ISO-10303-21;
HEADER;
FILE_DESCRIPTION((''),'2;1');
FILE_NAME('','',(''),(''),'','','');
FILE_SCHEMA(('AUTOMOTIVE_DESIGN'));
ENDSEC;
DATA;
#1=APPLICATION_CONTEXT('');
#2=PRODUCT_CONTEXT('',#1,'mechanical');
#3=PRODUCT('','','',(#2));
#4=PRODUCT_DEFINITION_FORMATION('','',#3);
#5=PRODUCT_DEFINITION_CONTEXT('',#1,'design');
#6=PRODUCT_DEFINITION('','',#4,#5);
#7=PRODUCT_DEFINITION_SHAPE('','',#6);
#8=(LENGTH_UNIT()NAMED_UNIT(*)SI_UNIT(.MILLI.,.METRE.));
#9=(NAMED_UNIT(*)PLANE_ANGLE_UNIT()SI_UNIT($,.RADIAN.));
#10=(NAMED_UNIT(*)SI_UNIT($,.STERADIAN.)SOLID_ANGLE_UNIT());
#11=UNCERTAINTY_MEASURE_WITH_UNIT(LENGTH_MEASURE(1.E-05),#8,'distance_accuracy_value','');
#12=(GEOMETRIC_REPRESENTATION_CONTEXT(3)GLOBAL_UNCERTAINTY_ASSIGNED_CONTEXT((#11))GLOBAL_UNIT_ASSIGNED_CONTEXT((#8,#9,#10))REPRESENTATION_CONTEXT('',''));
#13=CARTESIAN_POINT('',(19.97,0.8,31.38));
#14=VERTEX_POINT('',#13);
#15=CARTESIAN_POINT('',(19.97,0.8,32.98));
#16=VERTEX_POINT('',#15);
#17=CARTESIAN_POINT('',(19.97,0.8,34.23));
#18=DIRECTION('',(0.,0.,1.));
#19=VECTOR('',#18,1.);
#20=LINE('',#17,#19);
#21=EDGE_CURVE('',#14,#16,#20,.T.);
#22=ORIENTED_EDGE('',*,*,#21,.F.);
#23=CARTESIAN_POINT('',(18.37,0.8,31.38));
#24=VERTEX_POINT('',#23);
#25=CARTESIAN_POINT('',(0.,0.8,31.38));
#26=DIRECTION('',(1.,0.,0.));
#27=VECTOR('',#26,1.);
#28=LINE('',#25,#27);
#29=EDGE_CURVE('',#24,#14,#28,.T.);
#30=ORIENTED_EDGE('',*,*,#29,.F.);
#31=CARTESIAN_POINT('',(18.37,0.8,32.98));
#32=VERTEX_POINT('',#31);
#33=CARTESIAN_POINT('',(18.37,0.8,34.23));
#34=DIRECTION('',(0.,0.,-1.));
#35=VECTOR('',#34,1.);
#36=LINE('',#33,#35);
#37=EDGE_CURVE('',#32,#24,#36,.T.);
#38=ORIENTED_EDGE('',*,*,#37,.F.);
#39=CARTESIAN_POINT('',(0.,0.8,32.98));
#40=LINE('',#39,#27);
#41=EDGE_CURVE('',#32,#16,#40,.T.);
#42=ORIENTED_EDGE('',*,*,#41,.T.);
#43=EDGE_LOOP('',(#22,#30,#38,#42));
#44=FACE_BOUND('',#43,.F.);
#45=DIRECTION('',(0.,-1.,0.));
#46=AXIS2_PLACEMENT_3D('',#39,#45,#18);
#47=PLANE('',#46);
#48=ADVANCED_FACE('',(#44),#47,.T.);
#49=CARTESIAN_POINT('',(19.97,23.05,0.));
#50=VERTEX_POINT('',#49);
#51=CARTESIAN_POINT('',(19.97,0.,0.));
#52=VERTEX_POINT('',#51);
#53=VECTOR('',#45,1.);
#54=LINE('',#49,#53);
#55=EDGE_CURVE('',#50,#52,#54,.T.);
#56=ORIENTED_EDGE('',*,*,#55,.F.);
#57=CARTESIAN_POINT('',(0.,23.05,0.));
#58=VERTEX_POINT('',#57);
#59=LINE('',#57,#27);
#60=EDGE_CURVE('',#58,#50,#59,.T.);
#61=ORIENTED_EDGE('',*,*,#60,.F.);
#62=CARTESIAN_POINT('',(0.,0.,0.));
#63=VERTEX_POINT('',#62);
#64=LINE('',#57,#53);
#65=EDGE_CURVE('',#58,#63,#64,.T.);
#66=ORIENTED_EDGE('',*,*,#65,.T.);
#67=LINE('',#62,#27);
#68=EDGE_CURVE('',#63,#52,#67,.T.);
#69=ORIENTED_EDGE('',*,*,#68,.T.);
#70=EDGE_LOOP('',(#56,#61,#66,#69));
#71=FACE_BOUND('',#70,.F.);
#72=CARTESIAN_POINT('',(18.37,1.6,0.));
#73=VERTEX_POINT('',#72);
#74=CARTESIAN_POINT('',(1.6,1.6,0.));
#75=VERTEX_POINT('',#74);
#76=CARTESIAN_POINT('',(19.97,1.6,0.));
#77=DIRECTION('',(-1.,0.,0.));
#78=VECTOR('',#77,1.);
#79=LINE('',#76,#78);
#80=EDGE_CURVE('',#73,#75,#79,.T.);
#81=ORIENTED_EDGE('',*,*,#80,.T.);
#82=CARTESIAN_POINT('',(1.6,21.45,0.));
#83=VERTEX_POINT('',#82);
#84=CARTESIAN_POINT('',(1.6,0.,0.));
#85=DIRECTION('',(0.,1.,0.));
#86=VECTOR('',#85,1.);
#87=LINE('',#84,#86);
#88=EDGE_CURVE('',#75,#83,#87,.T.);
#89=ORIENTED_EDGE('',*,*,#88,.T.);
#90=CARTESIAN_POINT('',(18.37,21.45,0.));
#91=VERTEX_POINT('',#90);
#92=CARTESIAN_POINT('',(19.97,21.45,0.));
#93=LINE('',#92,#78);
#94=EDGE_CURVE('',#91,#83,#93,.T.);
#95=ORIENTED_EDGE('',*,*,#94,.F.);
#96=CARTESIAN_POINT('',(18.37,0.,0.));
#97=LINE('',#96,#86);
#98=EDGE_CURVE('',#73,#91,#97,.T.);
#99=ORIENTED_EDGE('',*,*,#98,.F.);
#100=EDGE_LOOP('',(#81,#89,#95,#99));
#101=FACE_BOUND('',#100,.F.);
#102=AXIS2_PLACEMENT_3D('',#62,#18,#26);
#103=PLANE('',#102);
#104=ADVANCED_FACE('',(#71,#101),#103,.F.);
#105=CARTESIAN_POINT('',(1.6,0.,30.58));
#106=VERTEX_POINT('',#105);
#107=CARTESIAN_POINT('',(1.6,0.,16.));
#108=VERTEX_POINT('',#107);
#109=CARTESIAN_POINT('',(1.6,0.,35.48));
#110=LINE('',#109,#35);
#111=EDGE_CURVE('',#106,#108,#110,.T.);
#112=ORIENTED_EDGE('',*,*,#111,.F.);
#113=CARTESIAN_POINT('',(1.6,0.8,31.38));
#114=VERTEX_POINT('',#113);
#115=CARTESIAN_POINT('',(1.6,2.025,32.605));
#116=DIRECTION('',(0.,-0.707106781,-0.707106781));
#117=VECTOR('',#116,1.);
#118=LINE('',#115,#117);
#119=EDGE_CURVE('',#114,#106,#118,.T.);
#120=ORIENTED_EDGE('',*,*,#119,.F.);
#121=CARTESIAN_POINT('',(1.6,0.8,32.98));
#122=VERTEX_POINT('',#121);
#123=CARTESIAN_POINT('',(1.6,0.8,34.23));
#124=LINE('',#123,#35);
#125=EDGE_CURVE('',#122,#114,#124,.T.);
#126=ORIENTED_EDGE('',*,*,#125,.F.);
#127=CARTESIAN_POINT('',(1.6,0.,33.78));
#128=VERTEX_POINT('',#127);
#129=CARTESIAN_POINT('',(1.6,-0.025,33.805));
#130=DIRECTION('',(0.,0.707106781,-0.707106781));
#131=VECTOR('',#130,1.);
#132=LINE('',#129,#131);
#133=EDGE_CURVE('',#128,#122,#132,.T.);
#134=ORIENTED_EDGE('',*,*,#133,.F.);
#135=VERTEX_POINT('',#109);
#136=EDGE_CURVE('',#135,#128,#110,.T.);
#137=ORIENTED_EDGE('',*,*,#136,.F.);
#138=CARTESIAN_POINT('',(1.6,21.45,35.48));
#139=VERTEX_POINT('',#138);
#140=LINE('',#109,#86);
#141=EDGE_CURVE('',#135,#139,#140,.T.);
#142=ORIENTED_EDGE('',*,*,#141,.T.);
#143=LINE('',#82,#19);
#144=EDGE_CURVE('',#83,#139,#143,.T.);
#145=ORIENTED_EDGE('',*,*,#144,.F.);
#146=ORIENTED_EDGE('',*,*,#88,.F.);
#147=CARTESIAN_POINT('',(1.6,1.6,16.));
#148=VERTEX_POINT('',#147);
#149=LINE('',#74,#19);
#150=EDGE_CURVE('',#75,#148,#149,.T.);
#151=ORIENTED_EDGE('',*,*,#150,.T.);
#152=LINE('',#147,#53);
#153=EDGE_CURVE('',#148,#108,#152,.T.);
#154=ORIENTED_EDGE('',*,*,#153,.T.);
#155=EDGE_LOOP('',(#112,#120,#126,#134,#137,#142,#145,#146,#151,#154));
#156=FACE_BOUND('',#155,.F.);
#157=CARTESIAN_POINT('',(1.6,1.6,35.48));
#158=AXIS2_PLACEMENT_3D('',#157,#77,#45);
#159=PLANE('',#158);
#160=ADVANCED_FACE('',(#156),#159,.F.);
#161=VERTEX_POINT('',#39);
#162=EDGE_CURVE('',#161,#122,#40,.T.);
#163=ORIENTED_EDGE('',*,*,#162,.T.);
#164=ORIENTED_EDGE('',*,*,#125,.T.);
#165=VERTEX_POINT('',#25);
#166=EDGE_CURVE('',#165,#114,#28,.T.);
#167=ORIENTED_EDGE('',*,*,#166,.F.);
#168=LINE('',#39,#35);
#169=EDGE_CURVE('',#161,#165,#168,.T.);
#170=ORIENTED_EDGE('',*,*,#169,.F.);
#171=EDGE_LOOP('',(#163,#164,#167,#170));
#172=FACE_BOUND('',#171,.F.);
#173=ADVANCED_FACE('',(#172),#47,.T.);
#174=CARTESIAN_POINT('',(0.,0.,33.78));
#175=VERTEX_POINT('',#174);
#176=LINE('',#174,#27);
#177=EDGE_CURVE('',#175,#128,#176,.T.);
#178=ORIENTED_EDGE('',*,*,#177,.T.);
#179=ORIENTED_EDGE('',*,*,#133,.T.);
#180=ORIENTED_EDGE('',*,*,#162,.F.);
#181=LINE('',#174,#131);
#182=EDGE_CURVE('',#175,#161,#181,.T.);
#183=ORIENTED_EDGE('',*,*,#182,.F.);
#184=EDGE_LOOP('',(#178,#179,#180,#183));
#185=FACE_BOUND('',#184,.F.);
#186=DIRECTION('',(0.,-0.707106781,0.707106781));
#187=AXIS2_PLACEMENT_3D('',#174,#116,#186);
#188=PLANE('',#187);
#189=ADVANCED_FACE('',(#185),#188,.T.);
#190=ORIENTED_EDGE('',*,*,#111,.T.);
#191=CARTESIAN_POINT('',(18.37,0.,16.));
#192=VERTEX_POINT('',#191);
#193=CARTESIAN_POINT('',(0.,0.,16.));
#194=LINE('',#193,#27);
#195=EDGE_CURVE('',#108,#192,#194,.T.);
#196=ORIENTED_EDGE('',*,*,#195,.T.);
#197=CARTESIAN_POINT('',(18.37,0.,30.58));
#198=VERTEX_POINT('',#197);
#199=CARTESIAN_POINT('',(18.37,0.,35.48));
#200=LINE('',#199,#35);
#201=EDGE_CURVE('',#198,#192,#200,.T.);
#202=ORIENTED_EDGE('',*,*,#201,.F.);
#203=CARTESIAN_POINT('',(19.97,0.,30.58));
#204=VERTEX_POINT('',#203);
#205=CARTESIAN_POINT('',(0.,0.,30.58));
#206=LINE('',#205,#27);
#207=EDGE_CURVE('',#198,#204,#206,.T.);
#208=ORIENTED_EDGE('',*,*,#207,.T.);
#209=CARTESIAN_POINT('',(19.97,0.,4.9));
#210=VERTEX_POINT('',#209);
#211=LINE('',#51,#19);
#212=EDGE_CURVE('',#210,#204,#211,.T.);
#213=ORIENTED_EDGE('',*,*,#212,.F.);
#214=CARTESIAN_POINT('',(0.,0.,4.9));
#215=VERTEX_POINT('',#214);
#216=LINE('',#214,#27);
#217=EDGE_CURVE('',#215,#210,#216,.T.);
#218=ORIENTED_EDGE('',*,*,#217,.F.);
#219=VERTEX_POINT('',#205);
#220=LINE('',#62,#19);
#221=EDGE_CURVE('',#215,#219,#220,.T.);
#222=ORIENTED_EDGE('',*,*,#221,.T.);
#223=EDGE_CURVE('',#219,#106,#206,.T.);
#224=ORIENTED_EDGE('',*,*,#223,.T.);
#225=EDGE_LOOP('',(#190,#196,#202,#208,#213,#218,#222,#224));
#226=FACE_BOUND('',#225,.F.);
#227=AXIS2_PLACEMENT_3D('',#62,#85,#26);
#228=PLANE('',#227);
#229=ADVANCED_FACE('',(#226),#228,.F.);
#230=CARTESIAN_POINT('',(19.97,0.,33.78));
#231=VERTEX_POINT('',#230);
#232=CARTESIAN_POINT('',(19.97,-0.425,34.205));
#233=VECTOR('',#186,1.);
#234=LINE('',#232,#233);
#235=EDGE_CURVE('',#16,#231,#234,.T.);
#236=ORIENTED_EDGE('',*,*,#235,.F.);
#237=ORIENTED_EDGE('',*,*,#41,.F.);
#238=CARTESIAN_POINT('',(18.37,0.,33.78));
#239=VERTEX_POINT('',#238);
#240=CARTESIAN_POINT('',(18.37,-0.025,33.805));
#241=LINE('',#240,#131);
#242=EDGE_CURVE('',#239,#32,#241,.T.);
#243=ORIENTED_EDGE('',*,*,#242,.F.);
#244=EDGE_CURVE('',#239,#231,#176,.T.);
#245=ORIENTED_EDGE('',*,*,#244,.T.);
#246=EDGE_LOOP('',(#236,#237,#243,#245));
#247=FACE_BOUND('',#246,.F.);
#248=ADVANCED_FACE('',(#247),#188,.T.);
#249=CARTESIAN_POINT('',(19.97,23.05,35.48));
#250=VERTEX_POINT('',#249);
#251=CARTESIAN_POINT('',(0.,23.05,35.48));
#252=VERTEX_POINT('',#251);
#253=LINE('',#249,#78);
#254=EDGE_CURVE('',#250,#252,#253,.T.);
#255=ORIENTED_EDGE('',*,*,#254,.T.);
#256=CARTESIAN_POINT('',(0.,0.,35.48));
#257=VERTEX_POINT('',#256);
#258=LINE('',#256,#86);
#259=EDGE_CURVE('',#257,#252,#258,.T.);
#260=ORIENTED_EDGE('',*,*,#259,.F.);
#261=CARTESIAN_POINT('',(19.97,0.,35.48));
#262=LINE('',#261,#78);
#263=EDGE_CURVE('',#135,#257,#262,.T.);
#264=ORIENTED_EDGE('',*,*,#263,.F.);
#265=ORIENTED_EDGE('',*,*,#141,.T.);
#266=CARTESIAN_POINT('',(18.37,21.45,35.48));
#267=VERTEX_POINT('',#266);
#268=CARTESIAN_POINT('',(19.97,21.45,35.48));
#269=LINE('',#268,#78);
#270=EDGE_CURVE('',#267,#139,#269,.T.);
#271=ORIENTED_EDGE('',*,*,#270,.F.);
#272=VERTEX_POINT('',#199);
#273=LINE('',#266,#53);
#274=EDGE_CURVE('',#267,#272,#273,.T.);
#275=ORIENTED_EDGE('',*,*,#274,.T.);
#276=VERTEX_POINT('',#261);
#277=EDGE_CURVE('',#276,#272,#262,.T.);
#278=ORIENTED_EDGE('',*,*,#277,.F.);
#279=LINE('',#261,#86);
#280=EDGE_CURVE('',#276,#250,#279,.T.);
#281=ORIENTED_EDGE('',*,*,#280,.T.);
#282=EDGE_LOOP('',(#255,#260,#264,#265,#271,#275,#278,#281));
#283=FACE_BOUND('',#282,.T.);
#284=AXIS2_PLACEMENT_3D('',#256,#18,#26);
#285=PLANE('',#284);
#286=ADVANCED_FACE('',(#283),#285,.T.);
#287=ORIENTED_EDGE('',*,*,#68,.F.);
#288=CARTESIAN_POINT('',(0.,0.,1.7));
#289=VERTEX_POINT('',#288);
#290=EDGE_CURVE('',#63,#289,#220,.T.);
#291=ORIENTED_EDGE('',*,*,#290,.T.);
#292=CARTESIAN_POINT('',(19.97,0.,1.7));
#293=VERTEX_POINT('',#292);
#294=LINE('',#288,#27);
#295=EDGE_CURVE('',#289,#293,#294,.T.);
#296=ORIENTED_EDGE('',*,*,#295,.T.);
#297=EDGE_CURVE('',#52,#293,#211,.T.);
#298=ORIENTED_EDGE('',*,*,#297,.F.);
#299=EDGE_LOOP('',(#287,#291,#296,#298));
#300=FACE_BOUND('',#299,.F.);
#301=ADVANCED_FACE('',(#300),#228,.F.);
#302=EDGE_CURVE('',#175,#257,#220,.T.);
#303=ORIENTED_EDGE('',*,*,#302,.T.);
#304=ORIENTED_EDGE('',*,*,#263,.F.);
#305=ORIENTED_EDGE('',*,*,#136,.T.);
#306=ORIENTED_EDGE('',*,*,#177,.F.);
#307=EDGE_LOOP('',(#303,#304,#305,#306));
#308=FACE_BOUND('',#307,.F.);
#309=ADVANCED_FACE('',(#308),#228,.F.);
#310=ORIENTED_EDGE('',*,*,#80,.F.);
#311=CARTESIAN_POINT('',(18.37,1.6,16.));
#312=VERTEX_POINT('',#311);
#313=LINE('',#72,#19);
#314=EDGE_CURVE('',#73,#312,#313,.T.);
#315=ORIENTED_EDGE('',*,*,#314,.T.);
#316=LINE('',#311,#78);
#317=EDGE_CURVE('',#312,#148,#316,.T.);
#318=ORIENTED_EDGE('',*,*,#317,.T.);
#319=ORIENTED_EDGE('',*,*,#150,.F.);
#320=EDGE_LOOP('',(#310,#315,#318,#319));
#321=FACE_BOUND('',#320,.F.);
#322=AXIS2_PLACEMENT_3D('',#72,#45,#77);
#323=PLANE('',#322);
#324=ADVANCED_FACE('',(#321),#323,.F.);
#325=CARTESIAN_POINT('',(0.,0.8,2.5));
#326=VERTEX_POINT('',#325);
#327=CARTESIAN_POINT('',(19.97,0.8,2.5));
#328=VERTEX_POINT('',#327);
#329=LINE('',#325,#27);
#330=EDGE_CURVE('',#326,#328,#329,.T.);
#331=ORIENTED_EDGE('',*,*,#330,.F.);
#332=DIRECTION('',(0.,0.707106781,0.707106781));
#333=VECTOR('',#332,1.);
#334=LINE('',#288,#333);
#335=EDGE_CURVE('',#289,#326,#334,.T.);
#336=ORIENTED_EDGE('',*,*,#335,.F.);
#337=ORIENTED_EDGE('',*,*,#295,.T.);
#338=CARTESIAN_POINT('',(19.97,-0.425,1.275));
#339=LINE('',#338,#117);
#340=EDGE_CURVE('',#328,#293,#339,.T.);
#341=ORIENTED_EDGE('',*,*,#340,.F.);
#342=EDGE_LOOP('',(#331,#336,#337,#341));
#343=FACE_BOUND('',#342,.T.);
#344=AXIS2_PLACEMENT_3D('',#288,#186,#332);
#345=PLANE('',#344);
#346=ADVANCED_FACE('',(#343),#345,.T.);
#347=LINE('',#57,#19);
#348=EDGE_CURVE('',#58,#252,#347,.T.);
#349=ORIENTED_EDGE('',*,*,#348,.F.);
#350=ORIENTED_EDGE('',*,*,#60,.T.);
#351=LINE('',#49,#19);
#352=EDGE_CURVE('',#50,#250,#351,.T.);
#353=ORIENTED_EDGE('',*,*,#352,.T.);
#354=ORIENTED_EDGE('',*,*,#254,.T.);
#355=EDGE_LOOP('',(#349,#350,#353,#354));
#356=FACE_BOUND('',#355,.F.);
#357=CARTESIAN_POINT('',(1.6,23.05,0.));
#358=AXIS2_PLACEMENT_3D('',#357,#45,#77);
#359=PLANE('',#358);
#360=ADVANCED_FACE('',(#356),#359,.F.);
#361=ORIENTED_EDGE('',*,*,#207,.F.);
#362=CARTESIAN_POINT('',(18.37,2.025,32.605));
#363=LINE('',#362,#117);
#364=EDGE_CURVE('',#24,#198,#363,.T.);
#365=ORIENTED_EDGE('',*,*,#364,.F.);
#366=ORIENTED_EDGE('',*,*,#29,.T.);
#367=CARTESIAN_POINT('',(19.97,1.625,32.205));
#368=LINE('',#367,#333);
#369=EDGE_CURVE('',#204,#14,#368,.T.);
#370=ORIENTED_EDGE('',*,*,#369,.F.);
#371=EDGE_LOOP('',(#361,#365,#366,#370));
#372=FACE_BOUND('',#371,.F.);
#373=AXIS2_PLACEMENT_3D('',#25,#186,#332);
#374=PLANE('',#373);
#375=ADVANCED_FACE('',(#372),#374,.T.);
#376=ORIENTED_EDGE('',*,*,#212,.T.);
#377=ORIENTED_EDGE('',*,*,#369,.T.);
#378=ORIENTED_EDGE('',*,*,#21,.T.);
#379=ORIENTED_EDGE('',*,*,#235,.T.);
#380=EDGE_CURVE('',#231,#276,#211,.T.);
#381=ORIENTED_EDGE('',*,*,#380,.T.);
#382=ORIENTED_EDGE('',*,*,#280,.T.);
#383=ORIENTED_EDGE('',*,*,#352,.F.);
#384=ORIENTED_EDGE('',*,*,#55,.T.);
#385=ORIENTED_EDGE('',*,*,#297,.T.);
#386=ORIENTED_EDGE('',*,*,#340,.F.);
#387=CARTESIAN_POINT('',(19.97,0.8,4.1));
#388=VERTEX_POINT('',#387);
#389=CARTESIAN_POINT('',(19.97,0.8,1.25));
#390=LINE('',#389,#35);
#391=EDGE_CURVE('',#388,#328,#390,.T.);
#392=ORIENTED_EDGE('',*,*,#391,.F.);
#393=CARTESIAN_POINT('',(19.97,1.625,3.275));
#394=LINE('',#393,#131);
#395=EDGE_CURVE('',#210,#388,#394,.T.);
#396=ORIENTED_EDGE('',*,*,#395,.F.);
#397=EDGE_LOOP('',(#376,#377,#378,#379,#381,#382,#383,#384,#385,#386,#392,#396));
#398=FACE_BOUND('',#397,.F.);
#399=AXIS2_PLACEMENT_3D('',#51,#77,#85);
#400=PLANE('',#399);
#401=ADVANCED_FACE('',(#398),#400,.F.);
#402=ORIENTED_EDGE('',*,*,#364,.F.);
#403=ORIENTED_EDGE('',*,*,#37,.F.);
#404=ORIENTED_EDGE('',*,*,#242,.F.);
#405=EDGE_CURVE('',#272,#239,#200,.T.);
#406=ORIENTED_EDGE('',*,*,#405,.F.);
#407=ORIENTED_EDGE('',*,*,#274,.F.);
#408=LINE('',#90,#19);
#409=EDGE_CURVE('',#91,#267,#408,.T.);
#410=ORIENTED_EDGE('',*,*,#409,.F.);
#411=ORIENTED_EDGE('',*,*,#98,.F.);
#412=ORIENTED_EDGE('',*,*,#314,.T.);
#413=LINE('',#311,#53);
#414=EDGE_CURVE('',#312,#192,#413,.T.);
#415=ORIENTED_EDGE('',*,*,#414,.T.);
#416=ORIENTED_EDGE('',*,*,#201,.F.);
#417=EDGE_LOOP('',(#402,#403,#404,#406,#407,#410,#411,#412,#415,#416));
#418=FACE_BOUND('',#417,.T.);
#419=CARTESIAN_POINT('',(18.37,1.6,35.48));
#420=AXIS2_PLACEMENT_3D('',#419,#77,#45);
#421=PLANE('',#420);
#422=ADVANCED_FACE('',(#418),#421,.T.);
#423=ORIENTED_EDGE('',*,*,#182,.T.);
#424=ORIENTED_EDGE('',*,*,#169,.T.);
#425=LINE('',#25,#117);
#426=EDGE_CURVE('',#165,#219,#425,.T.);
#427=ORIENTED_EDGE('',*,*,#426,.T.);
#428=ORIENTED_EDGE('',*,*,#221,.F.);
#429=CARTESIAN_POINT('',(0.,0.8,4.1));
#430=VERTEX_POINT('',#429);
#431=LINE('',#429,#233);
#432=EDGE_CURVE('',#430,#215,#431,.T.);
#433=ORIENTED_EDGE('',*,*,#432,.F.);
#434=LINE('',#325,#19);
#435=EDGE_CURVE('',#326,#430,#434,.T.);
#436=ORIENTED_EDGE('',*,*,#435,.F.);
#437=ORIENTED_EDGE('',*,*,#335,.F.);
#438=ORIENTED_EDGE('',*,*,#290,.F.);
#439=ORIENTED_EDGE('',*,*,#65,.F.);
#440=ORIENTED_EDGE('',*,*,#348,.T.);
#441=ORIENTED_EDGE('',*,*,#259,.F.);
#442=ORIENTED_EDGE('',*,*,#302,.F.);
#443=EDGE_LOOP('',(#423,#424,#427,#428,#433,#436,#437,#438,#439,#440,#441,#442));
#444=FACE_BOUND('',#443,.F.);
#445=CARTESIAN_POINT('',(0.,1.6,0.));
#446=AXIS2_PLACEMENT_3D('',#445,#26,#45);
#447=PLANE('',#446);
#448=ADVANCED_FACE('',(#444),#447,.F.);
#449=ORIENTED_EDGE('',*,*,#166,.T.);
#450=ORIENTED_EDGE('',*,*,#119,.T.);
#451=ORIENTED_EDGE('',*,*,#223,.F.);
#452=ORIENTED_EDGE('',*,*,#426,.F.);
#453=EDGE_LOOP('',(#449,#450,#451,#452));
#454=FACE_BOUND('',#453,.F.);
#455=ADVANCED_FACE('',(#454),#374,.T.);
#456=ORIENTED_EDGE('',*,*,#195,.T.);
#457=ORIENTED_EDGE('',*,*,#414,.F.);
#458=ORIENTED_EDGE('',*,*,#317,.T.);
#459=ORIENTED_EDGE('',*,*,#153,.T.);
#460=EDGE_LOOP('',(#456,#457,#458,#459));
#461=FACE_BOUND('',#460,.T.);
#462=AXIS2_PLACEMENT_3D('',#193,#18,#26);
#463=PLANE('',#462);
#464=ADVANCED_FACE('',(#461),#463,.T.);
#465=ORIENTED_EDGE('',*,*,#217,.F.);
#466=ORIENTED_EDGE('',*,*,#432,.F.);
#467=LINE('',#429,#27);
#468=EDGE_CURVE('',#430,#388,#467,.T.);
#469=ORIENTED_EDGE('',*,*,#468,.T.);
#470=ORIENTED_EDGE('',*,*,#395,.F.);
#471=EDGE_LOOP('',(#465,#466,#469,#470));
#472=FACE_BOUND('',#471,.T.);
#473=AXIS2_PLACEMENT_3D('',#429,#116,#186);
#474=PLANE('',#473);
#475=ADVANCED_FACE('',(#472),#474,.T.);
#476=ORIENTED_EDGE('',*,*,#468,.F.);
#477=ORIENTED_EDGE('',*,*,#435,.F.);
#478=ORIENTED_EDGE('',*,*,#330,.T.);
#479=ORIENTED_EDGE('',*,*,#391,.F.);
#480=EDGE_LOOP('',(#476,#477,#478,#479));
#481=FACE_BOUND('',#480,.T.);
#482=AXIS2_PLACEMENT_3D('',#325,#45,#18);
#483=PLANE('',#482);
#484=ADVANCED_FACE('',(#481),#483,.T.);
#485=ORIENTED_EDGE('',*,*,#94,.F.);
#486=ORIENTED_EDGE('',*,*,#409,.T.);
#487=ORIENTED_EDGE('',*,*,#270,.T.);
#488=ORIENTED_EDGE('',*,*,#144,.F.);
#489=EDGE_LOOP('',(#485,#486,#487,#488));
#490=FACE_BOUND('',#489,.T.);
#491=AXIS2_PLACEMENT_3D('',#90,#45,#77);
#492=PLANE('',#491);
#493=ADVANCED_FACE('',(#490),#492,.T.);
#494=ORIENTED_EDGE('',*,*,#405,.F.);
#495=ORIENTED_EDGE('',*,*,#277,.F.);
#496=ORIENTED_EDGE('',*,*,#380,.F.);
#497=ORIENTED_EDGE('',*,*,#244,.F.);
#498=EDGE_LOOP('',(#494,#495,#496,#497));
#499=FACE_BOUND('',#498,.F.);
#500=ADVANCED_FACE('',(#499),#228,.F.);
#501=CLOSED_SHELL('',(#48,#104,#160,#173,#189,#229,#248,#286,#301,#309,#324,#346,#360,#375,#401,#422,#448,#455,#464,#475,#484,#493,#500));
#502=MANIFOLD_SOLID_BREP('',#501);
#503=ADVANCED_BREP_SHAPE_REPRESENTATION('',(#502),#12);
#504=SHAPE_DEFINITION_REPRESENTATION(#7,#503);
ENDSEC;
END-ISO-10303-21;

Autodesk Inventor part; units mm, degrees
ref_plane "YZ Plane" through (0, 0, 0) normal (1, 0, 0) x (0, 1, 0)
ref_plane "XZ Plane" through (0, 0, 0) normal (0, 1, 0) x (-1, 0, 0)
ref_plane "XY Plane" through (0, 0, 0) normal (0, 0, 1) x (1, 0, 0)
sketch "Sketch1" plane through (0, 0, 0) normal (0, 0, 1) x (1, 0, 0)
  line L0 (0, 0) -> (1.6, 0)
  line L1 (1.6, 0) -> (1.6, 23.05)
  line L2 (1.6, 23.05) -> (0, 23.05)
  line L3 (0, 23.05) -> (0, 0)
  line L4 (0, 0) -> (19.97, 0)
  line L5 (19.97, 0) -> (19.97, 1.6)
  line L6 (19.97, 1.6) -> (0, 1.6)
  line L7 (0, 1.6) -> (0, 0)
  line L8 (0, 23.05) -> (19.97, 23.05)
  line L9 (19.97, 23.05) -> (19.97, 21.45)
  line L10 (19.97, 21.45) -> (0, 21.45)
  line L11 (0, 21.45) -> (0, 23.05)
  line L12 (19.97, 0) -> (18.37, 0)
  line L13 (18.37, 0) -> (18.37, 23.05)
  line L14 (18.37, 23.05) -> (19.97, 23.05)
  line L15 (19.97, 23.05) -> (19.97, 0)
  dimension "d0" = 1.6
  dimension "d1" = 1.6
  dimension "d2" = 1.6
  dimension "d3" = 1.6
  dimension "d4" = 19.85
  dimension "d5" = 16.77
extrude "Extrusion1" add sketch "Sketch1" along normal blind 35.48 contours L3 L6 L1 L0 | L1 L6 L13 L4 | L3 L10 L1 L6 | L13 L6 L5 L4 | L3 L2 L1 L10 | L1 L8 L13 L10 | L13 L10 L15 L6 | L13 L8 L9 L10
sketch "Sketch2" plane through (0, 0, 35.48) normal (0, 0, 1) x (1, 0, 0)
  line L0 (18.37, 21.45) -> (18.37, 1.6) projected
  line L1 (18.37, 1.6) -> (1.6, 1.6) projected
  line L2 (1.6, 1.6) -> (1.6, 21.45) projected
  line L3 (1.6, 21.45) -> (18.37, 21.45) projected
  line L4 (19.97, 23.05) -> (0, 23.05) projected
  line L5 (0, 23.05) -> (0, 0) projected
  line L6 (0, 0) -> (19.97, 0) projected
  line L7 (19.97, 0) -> (19.97, 23.05) projected
  line L8 (19.97, 0) -> (19.97, 23.05) projected
  line L9 (0, 0) -> (19.97, 0)
  line L10 (19.97, 0) -> (19.97, 1.6)
  line L11 (19.97, 1.6) -> (0, 1.6)
  line L12 (0, 1.6) -> (0, 0)
  line L13 (18.37, 1.6) -> (18.37, 0)
  line L14 (0, 0) -> (19.97, 0) projected
  line L15 (1.6, 1.6) -> (1.6, 0)
  line L16 (1.6, 1.6) -> (18.37, 1.6)
  line L17 (18.37, 1.6) -> (18.37, 0)
  line L18 (18.37, 0) -> (1.6, 0)
  line L19 (1.6, 0) -> (1.6, 1.6)
ref_plane "Work Plane1" through (0, 0, 16) normal (0, 0, -1) x (-1, 0, 0)
sketch "Sketch3" plane through (0, 0, 0) normal (-1, 0, 0) x (0, 0, 1)
  line L0 (0, 0) -> (35.48, 0) projected
  line L1 (1.7, 0) -> (2.5, 0.8)
  line L2 (1.7, 0) -> (2.8314, 0) construction
  line L3 (2.5, 0.8) -> (4.1, 0.8)
  line L4 (4.1, 0.8) -> (4.9, 0)
  line L5 (0, 23.05) -> (0, 0) projected
  point P0 (16, 0)
  dimension "d11" = 45
  dimension "d12" = 1.6
  dimension "d13" = 0.8
  dimension "d14" = 45
  dimension "d15" = 2.5
extrude "Extrusion3" cut sketch "Sketch3" against normal up to next
extrude "Extrusion4" cut sketch "Sketch2" against normal up to surface (19.48 mm away) contours L13 L6 L15 L1
ref_plane "Midway" through (0, 0, 17.74) normal (0, 0, -1) x (-1, 0, 0)
mirror "Mirror1" about plane through (0, 0, 17.74) normal (0, 0, -1) of "Extrusion3"
properties part number "CarEngineHousing"
